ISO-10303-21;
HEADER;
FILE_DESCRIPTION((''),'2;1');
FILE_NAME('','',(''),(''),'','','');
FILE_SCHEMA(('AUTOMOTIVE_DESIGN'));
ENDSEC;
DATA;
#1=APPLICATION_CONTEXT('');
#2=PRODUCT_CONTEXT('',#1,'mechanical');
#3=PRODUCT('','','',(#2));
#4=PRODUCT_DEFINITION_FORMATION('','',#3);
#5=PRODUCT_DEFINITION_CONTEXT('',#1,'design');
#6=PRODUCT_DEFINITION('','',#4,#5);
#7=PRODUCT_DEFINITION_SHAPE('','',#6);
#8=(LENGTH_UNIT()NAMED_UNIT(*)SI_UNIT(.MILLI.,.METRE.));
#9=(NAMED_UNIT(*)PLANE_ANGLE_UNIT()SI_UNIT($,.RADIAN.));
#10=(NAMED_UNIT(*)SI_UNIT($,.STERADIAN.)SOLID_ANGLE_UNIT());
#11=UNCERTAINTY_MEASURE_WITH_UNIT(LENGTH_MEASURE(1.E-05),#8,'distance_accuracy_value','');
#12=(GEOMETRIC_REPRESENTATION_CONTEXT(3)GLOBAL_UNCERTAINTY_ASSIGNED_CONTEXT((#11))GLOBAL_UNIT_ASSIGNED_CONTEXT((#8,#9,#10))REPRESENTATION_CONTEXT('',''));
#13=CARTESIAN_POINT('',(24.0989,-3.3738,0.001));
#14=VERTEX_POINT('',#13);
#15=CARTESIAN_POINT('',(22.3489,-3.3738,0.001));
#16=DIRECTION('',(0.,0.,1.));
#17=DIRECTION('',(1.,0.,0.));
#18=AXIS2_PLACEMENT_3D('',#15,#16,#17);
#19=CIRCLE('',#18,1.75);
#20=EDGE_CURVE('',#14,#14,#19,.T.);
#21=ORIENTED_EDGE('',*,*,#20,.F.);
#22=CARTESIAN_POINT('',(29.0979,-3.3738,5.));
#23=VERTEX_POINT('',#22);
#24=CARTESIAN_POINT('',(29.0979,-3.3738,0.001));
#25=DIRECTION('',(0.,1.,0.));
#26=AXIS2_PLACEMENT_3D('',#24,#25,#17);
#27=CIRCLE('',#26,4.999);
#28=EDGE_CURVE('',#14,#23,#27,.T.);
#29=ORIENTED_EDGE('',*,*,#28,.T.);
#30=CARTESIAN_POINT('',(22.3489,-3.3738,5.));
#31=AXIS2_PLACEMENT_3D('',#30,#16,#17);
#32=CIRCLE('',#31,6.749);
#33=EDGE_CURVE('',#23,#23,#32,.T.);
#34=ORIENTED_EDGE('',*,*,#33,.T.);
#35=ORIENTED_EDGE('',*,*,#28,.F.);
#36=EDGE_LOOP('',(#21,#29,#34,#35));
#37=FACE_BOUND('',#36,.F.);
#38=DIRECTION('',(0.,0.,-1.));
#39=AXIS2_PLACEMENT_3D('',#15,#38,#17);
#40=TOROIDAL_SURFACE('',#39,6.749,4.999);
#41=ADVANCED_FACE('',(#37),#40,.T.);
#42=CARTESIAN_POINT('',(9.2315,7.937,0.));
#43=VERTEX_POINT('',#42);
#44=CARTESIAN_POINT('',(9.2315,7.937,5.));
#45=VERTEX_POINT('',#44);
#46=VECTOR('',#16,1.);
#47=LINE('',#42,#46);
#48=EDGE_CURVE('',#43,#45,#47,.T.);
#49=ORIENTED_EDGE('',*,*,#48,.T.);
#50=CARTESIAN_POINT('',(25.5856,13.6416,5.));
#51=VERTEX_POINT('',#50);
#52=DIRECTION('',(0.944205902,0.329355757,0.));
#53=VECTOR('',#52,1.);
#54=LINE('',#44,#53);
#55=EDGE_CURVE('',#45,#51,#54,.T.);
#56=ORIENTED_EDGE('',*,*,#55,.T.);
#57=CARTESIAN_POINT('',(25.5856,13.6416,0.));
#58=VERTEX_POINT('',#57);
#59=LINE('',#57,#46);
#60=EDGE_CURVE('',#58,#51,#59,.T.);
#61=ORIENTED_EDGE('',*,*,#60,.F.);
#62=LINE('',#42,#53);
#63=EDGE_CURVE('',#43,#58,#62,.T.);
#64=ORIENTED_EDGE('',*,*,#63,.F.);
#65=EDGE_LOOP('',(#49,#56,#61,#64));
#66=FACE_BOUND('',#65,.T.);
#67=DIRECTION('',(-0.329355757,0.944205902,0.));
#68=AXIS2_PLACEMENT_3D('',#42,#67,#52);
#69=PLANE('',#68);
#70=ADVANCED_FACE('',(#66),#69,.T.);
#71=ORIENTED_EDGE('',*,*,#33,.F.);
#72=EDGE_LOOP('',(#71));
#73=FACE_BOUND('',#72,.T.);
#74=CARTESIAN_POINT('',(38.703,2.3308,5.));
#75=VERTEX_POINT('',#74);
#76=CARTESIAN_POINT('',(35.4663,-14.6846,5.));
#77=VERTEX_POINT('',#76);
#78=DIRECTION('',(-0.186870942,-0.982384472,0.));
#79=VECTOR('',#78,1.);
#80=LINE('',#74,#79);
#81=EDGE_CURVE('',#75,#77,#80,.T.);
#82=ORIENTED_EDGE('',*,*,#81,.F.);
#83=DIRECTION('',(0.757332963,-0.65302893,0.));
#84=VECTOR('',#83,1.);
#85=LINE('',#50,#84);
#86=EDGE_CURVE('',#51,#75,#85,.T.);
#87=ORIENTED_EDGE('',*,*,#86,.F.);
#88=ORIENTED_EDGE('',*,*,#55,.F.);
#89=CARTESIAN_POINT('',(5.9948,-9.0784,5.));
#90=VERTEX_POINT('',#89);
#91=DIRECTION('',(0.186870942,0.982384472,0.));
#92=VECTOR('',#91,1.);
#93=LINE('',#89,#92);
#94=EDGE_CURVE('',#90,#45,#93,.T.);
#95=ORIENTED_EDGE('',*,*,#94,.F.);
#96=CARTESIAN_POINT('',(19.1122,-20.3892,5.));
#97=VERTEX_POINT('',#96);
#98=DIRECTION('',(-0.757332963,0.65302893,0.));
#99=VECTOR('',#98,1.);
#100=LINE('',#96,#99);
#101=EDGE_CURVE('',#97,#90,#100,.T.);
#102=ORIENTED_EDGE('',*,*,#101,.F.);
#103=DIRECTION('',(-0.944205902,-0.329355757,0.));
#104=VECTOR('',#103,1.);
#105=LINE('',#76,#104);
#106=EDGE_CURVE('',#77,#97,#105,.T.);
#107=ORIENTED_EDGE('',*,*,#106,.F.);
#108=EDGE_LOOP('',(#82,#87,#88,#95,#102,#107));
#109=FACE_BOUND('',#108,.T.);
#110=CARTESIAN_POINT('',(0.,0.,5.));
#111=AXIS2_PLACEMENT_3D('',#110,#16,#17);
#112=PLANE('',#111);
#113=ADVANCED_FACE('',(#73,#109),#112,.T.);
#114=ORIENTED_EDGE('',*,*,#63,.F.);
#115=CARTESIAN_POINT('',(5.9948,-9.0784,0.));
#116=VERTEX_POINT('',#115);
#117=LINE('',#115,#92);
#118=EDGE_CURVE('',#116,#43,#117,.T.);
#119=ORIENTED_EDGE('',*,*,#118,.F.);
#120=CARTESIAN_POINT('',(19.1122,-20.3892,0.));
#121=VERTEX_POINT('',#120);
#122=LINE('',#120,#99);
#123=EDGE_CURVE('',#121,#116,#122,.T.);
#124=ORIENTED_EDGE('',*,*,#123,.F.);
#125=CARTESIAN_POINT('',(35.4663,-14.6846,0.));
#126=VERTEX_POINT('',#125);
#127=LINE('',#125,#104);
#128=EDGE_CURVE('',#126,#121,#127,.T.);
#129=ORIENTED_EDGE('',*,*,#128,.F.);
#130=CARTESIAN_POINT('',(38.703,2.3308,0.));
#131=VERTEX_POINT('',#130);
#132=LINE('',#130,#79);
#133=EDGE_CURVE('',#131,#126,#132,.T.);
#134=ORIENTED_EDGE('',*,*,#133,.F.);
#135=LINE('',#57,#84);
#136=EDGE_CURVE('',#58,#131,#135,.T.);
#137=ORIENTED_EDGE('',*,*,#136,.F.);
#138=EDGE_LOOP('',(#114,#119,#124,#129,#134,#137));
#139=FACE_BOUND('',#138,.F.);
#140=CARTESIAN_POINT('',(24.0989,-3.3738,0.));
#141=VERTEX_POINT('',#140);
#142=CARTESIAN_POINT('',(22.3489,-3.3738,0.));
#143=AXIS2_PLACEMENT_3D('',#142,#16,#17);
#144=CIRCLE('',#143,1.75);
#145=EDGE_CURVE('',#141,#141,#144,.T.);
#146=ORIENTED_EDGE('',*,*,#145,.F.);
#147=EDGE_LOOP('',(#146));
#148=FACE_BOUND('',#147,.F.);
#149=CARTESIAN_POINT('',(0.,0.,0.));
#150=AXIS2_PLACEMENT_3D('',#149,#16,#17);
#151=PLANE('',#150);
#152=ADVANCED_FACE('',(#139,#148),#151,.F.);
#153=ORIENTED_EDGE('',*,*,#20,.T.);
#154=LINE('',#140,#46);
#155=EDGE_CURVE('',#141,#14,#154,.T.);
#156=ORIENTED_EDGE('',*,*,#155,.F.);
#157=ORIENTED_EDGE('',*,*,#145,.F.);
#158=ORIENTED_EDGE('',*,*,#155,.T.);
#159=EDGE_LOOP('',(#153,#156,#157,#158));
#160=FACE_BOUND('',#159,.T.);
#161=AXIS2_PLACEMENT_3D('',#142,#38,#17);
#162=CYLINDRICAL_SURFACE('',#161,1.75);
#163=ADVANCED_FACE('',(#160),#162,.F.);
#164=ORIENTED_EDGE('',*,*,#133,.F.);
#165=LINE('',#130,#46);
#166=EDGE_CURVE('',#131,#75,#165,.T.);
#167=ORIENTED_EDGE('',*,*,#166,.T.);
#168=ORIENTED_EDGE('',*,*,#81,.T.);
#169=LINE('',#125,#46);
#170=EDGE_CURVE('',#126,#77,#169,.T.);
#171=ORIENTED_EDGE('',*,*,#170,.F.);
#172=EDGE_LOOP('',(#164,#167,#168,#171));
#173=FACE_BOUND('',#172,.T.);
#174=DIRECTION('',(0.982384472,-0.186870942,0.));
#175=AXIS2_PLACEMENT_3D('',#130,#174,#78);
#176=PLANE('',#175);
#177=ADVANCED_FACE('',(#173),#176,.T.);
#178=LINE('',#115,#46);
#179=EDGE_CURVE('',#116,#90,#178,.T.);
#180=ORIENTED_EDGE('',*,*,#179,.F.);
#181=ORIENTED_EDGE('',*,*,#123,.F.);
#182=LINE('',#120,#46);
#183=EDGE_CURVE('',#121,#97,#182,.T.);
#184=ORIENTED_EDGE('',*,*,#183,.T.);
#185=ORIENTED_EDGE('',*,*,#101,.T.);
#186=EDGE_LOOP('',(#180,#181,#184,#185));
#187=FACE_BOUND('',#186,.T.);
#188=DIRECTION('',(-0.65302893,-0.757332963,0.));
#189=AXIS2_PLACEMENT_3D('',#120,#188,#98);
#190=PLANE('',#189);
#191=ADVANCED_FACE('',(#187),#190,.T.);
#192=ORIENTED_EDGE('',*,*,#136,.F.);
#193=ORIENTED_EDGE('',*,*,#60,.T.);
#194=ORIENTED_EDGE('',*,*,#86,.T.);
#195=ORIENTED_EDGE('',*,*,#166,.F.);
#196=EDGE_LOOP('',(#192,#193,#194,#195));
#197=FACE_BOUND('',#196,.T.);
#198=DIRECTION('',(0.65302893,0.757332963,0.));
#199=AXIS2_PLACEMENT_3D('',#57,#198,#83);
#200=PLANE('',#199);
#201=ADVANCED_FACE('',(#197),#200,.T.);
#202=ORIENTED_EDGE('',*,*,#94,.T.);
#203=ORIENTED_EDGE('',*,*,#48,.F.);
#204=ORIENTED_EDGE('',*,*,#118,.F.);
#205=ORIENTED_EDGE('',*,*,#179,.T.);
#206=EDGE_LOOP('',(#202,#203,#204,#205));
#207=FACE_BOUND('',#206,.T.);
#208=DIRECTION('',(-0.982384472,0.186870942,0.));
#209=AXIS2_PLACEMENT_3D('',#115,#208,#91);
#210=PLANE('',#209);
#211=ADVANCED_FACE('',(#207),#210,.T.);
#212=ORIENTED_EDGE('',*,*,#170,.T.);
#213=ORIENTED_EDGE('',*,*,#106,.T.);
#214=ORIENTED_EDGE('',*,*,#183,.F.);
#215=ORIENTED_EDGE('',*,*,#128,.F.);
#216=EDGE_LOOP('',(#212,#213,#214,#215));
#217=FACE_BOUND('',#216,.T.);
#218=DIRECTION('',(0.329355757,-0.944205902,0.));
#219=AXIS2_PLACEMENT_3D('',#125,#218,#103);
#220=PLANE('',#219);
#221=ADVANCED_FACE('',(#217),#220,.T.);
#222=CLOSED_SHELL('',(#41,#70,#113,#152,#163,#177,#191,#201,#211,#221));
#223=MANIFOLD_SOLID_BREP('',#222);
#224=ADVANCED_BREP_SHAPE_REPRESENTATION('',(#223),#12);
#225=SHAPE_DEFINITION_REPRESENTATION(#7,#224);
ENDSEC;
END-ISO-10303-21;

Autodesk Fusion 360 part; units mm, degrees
sketch "Sketch1" plane through (0, 0, 0) normal (0, 0, 1) x (1, 0, 0)
  line L0 (9.2315, 7.937) -> (25.5856, 13.6416)
  line L1 (25.5856, 13.6416) -> (38.703, 2.3308)
  line L2 (38.703, 2.3308) -> (35.4663, -14.6846)
  line L3 (35.4663, -14.6846) -> (19.1122, -20.3892)
  line L4 (19.1122, -20.3892) -> (5.9948, -9.0784)
  line L5 (5.9948, -9.0784) -> (9.2315, 7.937)
  circle A0 centre (22.3489, -3.3738) radius 1.75
  dimension "d1" = 120
  dimension "d2" = 120
  dimension "d3" = 120
  dimension "d4" = 120
  dimension "d5" = 120
  dimension "d6" = 30
  dimension "d7" = 30
  dimension "d8" = 30
  dimension "d9" = 3.5
extrude "Extrude1" add sketch "Sketch1" along normal blind 5
fillet "Fillet1" radius 5 1 edges at (20.7173, -2.741, 5)
